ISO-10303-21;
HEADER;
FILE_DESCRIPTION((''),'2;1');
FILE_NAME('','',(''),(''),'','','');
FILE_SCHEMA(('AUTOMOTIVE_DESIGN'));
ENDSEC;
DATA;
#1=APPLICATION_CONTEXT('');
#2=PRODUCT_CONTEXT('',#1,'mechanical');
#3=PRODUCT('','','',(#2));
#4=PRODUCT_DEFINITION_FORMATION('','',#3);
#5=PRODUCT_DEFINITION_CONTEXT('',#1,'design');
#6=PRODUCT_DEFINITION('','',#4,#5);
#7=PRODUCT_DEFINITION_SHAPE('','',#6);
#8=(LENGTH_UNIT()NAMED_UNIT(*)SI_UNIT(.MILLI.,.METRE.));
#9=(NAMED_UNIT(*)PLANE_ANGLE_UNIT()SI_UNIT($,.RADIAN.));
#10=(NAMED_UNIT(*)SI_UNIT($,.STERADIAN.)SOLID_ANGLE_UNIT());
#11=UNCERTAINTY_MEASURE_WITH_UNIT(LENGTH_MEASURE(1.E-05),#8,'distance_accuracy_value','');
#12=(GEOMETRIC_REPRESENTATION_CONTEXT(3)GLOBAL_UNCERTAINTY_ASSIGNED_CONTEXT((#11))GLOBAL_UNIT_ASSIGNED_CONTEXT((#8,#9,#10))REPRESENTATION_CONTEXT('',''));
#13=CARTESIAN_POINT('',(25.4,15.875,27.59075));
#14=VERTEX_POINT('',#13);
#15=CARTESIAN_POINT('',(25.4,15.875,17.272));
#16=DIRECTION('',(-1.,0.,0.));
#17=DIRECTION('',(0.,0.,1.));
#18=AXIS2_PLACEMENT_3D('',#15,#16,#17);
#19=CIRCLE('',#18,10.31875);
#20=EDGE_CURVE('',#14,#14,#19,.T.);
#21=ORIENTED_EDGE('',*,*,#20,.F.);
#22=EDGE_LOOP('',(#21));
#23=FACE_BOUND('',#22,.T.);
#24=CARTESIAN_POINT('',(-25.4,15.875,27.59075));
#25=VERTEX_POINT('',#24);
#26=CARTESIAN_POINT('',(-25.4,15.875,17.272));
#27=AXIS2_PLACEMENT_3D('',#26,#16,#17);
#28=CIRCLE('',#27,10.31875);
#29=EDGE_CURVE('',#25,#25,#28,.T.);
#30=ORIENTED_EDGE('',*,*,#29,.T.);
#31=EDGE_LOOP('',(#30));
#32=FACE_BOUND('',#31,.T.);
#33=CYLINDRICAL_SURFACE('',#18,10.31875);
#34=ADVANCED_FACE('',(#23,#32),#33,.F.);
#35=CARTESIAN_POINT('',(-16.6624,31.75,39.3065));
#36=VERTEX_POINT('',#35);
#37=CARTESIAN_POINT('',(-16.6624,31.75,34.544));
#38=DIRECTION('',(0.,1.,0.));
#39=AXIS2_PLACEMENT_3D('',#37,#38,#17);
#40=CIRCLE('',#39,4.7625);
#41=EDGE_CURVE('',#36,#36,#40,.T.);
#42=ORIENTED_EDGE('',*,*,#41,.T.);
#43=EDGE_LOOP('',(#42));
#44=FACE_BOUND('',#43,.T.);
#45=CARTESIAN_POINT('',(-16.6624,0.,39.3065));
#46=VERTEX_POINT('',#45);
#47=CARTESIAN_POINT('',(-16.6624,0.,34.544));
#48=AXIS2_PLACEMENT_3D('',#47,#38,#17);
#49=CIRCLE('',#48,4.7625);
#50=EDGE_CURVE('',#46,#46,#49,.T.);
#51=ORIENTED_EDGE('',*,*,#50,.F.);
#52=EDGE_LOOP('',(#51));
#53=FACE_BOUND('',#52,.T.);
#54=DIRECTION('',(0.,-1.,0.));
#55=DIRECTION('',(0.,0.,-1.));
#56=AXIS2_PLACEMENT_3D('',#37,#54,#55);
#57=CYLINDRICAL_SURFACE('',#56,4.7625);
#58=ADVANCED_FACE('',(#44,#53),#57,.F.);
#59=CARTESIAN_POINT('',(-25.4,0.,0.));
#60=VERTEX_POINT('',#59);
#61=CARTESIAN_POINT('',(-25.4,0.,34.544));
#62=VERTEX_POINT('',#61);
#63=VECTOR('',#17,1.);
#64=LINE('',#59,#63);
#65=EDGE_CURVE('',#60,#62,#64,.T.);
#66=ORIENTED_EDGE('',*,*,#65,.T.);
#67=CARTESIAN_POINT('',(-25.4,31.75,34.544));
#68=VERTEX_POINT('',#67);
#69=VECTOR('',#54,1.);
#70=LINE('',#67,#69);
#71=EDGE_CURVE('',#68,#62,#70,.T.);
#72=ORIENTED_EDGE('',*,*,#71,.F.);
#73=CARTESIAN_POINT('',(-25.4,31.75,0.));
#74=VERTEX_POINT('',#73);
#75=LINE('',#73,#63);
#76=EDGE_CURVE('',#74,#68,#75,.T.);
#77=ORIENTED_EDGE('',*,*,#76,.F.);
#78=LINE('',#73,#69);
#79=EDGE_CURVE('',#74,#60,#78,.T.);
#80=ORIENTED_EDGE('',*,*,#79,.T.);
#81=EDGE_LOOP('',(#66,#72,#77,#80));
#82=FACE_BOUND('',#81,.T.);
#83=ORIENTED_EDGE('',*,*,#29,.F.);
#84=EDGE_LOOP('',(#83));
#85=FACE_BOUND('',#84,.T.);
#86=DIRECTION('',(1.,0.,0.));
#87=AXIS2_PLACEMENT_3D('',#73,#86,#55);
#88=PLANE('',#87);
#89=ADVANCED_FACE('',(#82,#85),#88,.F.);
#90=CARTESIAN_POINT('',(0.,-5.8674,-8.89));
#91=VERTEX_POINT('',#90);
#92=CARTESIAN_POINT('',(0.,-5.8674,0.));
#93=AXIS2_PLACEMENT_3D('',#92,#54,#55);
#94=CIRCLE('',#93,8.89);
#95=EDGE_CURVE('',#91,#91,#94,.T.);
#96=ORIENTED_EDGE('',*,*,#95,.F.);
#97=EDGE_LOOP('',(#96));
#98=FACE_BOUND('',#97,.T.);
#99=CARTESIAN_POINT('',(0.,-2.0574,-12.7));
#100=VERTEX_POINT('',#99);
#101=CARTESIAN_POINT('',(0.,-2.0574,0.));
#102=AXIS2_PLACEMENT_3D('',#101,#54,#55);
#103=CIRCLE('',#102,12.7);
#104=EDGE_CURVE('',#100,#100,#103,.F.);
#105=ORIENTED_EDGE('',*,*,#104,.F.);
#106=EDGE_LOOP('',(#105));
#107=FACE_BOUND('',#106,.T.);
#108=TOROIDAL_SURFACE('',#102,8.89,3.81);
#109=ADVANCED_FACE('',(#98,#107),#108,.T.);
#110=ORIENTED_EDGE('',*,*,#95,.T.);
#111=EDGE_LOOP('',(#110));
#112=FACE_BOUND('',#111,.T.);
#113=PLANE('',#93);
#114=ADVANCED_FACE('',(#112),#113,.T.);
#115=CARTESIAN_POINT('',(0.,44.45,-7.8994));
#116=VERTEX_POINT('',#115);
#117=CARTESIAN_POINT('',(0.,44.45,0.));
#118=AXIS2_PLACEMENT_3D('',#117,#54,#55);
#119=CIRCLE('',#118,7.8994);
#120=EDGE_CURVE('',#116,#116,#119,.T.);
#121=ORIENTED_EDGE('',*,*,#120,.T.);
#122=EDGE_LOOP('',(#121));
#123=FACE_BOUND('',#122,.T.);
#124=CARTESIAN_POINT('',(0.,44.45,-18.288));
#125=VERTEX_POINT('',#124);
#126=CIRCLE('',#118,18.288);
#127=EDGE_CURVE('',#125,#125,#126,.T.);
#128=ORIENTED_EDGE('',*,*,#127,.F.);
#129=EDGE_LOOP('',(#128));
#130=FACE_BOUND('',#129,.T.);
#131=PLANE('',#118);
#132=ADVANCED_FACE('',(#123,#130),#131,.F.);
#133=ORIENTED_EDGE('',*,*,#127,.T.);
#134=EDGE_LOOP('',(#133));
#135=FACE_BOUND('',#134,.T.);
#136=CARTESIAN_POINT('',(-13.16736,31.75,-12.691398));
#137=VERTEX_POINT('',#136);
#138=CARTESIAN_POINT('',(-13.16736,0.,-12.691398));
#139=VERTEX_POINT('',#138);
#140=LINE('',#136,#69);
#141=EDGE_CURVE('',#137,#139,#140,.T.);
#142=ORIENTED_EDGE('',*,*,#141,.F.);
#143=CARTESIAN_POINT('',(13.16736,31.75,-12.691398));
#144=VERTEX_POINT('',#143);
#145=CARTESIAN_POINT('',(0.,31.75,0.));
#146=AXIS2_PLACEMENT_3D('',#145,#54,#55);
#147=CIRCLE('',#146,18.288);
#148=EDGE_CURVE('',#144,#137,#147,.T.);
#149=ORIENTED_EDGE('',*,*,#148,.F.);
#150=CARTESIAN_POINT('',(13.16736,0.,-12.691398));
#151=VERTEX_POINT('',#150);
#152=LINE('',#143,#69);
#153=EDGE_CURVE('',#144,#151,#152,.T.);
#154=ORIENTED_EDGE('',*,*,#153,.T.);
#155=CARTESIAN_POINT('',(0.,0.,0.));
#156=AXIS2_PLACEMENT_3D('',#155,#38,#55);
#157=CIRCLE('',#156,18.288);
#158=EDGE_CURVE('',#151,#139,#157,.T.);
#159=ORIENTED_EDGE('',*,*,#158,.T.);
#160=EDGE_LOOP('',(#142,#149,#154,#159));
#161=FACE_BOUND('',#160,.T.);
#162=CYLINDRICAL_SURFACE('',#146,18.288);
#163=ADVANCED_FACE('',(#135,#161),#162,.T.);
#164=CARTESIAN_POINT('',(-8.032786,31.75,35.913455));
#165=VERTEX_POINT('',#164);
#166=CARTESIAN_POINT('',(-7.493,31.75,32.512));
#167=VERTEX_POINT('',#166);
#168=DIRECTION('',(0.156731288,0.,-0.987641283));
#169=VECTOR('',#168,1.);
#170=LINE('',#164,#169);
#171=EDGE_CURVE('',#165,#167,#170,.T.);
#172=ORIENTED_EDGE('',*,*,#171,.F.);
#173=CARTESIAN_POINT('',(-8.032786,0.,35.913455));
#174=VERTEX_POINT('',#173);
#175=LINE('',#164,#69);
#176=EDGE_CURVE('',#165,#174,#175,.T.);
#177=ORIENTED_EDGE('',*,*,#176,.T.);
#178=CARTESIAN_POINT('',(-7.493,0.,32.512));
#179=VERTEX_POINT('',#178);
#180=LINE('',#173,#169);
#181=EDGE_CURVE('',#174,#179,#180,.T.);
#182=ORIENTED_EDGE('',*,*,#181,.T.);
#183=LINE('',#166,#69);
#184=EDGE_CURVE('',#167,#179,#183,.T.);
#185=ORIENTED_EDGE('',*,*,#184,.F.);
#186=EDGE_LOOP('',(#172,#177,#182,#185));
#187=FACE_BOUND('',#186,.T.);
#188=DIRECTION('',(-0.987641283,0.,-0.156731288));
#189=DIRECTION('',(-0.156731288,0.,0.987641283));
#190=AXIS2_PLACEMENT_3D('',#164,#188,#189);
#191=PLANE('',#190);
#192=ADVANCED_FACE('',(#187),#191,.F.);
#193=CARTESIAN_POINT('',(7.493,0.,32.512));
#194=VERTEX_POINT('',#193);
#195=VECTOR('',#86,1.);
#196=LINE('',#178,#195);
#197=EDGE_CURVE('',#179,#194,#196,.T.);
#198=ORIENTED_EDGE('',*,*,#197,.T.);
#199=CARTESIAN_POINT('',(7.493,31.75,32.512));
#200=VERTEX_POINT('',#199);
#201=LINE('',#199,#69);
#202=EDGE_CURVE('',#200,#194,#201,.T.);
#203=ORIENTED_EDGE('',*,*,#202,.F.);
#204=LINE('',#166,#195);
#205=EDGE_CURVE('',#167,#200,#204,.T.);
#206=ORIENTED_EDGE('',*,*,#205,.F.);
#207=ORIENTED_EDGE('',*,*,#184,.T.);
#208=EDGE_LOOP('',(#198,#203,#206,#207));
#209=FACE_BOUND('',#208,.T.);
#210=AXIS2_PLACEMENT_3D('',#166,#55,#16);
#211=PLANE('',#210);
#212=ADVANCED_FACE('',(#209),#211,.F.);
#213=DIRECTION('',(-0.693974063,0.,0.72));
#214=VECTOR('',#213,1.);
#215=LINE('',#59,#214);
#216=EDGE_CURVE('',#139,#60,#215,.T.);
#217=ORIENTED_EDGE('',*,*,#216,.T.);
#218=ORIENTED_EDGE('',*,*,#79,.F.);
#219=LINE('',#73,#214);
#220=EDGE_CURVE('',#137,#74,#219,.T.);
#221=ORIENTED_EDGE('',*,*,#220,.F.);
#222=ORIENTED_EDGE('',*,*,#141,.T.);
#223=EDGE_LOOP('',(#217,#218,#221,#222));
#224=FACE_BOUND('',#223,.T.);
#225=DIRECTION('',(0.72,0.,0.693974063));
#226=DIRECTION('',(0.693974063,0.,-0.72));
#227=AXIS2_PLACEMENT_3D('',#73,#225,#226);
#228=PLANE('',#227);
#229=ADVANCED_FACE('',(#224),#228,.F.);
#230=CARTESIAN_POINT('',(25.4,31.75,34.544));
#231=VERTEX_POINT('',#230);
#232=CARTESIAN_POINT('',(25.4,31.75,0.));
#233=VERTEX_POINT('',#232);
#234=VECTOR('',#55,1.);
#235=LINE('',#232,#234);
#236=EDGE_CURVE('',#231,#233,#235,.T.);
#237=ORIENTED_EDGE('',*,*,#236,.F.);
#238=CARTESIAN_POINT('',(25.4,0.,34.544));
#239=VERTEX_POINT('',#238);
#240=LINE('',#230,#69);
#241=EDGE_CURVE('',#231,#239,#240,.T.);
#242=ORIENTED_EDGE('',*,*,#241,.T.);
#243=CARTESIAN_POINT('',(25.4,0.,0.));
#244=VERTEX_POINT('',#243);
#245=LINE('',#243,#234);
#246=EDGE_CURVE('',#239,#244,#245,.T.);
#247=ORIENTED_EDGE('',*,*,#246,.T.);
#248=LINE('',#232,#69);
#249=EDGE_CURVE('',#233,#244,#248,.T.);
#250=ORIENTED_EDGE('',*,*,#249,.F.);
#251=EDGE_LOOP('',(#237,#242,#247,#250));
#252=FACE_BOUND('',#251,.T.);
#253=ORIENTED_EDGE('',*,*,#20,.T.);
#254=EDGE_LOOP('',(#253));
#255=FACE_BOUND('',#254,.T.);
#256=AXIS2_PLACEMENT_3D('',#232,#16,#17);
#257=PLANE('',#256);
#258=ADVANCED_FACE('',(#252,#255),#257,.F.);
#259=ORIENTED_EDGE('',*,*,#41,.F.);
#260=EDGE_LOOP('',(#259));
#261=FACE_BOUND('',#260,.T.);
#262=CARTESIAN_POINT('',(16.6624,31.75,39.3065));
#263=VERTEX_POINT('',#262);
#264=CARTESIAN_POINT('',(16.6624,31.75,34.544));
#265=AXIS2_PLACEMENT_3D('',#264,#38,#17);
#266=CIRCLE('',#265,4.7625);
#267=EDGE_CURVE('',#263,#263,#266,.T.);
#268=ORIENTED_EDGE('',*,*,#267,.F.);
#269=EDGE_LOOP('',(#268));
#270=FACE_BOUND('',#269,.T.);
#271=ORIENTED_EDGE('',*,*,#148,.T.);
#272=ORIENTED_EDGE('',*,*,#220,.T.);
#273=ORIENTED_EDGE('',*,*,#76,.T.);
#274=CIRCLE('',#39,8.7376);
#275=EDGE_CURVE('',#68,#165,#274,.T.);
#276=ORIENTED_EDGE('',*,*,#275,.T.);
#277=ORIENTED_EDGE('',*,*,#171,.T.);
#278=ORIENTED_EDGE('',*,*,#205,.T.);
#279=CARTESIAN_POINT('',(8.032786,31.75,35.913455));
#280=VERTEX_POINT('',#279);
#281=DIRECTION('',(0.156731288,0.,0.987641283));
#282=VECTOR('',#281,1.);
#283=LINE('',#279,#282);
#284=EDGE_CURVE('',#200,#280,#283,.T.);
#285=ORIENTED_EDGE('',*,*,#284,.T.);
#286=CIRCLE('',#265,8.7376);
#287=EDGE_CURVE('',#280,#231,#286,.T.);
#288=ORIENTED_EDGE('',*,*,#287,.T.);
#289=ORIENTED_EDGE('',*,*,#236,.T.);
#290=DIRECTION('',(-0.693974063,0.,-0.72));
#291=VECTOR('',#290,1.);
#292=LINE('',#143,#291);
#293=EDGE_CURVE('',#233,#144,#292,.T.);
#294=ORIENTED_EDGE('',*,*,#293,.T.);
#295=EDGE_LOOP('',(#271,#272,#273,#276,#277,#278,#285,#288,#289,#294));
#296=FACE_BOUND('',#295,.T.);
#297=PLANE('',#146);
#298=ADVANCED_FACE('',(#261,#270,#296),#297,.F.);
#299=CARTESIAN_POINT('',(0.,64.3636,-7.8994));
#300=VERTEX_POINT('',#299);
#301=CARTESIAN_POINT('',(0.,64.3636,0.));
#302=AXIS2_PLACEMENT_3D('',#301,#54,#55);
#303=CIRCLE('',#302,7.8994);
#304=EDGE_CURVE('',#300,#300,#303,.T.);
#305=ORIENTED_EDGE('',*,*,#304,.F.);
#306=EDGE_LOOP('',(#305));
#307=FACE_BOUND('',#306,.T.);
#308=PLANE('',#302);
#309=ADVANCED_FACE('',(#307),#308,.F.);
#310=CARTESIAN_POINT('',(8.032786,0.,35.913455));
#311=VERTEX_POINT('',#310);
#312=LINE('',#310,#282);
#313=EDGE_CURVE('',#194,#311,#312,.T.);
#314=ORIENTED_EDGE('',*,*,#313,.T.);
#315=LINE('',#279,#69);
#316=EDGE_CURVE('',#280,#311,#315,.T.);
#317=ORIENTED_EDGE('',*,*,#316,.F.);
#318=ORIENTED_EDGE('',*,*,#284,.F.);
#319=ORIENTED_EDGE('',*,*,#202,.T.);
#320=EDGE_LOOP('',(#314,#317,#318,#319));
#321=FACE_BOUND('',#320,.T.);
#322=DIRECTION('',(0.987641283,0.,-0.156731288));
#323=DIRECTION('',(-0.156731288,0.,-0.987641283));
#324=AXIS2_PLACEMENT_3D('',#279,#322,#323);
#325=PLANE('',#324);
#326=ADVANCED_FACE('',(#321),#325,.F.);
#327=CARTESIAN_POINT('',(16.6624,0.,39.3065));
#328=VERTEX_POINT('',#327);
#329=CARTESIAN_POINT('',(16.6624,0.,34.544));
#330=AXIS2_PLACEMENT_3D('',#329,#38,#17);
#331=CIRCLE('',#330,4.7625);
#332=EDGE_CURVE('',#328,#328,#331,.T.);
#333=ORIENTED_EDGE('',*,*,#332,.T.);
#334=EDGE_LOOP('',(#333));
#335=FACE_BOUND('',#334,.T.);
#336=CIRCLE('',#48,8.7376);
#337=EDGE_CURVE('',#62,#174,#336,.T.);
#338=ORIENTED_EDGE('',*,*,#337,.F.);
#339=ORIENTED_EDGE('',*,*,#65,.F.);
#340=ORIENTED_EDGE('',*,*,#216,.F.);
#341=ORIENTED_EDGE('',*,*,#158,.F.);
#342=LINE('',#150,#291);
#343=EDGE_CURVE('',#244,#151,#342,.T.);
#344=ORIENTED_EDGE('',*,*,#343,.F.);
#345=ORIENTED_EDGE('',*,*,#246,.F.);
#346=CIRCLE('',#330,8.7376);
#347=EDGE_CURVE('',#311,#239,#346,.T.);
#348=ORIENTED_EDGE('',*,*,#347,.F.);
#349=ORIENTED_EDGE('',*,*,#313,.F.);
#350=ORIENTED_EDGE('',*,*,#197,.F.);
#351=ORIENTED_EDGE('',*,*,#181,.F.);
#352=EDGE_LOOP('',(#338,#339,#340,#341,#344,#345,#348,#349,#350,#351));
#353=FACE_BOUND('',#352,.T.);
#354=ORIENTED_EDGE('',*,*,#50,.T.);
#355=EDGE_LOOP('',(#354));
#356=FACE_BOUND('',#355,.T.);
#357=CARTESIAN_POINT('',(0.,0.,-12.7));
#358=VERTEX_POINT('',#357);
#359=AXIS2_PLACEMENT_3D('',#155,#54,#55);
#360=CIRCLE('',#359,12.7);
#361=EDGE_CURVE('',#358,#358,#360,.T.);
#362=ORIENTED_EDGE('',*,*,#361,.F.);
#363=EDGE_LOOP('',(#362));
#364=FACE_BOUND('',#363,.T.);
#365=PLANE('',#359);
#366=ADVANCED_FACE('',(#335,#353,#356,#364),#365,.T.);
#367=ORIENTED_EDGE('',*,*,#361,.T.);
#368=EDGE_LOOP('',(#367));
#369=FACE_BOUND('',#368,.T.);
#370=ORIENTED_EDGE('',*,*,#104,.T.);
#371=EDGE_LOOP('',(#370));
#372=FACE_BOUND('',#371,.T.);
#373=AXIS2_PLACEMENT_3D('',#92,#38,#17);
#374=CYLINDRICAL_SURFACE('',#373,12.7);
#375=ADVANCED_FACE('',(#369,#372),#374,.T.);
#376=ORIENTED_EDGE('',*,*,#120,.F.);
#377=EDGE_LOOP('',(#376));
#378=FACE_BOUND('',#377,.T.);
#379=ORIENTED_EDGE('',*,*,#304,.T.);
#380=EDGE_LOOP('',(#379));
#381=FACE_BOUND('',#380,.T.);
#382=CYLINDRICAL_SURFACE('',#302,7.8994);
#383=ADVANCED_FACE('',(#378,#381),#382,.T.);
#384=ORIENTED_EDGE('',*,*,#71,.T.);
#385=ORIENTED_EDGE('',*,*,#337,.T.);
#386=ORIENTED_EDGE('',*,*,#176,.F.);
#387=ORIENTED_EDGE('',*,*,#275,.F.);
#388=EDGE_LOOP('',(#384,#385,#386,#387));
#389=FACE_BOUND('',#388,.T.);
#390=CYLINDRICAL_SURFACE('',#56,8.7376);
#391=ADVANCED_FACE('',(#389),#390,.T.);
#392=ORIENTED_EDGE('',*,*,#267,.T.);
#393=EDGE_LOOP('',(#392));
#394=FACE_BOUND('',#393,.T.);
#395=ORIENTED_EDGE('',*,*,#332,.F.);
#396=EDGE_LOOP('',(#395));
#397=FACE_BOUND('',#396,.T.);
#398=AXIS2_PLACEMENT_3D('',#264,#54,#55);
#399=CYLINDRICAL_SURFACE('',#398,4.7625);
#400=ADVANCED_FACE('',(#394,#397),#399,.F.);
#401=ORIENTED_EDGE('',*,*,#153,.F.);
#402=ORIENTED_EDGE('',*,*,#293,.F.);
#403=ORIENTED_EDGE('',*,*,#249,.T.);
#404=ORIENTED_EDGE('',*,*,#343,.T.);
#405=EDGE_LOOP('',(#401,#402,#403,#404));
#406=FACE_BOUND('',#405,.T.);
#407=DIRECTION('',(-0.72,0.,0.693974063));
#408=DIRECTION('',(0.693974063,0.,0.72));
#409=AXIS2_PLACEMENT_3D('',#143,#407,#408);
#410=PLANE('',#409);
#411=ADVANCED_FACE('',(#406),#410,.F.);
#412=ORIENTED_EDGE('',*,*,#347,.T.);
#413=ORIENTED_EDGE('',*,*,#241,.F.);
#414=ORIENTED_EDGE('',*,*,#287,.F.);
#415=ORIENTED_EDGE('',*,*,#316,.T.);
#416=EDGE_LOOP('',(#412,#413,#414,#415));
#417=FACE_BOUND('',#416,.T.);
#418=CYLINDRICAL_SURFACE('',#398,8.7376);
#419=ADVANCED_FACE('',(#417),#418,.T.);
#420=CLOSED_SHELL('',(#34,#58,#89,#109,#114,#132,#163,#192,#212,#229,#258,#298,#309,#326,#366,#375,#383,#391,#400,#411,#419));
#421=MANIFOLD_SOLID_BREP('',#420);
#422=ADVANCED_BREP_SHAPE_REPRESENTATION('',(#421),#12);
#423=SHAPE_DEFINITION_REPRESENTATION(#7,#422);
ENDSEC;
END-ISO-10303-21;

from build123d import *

# Parameters (mm, degrees)
SKETCH1_R              = 4.7625
BODY_DEPTH             = 31.75
SKETCH3_R              = 18.288
PINION_CARRIER_DEPTH   = 44.45
SKETCH4_R              = 7.8994
PINION_DEPTH           = 64.3636
SKETCH5_R              = 12.7
PINION_BOTTOM_DEPTH    = 5.8674
PINION_BOTTOM_FILLET_R = 3.81
SKETCH2_R              = 10.31875
RACK_HOLE_DEPTH        = 51.8


with BuildPart() as part:
    # Sketch1 → Body (new body)
    with BuildSketch(Plane(origin=(0, 0, 0), x_dir=(1, 0, 0), z_dir=(0, 1, 0))):
        with BuildLine():
            Line((-7.493, -32.512), (7.493, -32.512))
            Line((7.493, -32.512), (8.032785528, -35.913455304))
            ThreePointArc((8.032785528, -35.913455304), (17.349253096, -43.254561784), (25.4, -34.544))
            Line((25.4, -34.544), (25.4, 0))
            Line((25.4, 0), (13.16736, 12.691397663))
            ThreePointArc((13.16736, 12.691397663), (0, 18.288), (-13.16736, 12.691397663))
            Line((-13.16736, 12.691397663), (-25.4, 0))
            Line((-25.4, 0), (-25.4, -34.544))
            ThreePointArc((-25.4, -34.544), (-17.349253096, -43.254561784), (-8.032785528, -35.913455304))
            Line((-8.032785528, -35.913455304), (-7.493, -32.512))
        make_face()
        with Locations((16.6624, -34.544)):
            Circle(SKETCH1_R, mode=Mode.SUBTRACT)
        with Locations((-16.6624, -34.544)):
            Circle(SKETCH1_R, mode=Mode.SUBTRACT)
    extrude(amount=BODY_DEPTH)

    # Sketch3 → Pinion Carrier (add)
    with BuildSketch(Plane.XZ):
        Circle(SKETCH3_R)
    extrude(amount=-PINION_CARRIER_DEPTH)

    # Sketch4 → Pinion (add)
    with BuildSketch(Plane.XZ):
        Circle(SKETCH4_R)
    extrude(amount=-PINION_DEPTH)

    # Sketch5 → Pinion Bottom (add)
    with BuildSketch(Plane.XZ):
        Circle(SKETCH5_R)
    extrude(amount=PINION_BOTTOM_DEPTH)

    # Pinion Bottom Fillet
    pinion_bottom_fillet_edges = [part.edges().sort_by_distance(p)[0] for p in [
        (-12.7, -5.8674, 0),
    ]]
    fillet(pinion_bottom_fillet_edges, radius=PINION_BOTTOM_FILLET_R)

    # Sketch2 → Rack Hole (cut, through all)
    with BuildSketch(Plane.ZY.offset(25.4)):
        with Locations((17.272, 15.875)):
            Circle(SKETCH2_R)
    extrude(amount=-RACK_HOLE_DEPTH, mode=Mode.SUBTRACT)


solid = part.part
